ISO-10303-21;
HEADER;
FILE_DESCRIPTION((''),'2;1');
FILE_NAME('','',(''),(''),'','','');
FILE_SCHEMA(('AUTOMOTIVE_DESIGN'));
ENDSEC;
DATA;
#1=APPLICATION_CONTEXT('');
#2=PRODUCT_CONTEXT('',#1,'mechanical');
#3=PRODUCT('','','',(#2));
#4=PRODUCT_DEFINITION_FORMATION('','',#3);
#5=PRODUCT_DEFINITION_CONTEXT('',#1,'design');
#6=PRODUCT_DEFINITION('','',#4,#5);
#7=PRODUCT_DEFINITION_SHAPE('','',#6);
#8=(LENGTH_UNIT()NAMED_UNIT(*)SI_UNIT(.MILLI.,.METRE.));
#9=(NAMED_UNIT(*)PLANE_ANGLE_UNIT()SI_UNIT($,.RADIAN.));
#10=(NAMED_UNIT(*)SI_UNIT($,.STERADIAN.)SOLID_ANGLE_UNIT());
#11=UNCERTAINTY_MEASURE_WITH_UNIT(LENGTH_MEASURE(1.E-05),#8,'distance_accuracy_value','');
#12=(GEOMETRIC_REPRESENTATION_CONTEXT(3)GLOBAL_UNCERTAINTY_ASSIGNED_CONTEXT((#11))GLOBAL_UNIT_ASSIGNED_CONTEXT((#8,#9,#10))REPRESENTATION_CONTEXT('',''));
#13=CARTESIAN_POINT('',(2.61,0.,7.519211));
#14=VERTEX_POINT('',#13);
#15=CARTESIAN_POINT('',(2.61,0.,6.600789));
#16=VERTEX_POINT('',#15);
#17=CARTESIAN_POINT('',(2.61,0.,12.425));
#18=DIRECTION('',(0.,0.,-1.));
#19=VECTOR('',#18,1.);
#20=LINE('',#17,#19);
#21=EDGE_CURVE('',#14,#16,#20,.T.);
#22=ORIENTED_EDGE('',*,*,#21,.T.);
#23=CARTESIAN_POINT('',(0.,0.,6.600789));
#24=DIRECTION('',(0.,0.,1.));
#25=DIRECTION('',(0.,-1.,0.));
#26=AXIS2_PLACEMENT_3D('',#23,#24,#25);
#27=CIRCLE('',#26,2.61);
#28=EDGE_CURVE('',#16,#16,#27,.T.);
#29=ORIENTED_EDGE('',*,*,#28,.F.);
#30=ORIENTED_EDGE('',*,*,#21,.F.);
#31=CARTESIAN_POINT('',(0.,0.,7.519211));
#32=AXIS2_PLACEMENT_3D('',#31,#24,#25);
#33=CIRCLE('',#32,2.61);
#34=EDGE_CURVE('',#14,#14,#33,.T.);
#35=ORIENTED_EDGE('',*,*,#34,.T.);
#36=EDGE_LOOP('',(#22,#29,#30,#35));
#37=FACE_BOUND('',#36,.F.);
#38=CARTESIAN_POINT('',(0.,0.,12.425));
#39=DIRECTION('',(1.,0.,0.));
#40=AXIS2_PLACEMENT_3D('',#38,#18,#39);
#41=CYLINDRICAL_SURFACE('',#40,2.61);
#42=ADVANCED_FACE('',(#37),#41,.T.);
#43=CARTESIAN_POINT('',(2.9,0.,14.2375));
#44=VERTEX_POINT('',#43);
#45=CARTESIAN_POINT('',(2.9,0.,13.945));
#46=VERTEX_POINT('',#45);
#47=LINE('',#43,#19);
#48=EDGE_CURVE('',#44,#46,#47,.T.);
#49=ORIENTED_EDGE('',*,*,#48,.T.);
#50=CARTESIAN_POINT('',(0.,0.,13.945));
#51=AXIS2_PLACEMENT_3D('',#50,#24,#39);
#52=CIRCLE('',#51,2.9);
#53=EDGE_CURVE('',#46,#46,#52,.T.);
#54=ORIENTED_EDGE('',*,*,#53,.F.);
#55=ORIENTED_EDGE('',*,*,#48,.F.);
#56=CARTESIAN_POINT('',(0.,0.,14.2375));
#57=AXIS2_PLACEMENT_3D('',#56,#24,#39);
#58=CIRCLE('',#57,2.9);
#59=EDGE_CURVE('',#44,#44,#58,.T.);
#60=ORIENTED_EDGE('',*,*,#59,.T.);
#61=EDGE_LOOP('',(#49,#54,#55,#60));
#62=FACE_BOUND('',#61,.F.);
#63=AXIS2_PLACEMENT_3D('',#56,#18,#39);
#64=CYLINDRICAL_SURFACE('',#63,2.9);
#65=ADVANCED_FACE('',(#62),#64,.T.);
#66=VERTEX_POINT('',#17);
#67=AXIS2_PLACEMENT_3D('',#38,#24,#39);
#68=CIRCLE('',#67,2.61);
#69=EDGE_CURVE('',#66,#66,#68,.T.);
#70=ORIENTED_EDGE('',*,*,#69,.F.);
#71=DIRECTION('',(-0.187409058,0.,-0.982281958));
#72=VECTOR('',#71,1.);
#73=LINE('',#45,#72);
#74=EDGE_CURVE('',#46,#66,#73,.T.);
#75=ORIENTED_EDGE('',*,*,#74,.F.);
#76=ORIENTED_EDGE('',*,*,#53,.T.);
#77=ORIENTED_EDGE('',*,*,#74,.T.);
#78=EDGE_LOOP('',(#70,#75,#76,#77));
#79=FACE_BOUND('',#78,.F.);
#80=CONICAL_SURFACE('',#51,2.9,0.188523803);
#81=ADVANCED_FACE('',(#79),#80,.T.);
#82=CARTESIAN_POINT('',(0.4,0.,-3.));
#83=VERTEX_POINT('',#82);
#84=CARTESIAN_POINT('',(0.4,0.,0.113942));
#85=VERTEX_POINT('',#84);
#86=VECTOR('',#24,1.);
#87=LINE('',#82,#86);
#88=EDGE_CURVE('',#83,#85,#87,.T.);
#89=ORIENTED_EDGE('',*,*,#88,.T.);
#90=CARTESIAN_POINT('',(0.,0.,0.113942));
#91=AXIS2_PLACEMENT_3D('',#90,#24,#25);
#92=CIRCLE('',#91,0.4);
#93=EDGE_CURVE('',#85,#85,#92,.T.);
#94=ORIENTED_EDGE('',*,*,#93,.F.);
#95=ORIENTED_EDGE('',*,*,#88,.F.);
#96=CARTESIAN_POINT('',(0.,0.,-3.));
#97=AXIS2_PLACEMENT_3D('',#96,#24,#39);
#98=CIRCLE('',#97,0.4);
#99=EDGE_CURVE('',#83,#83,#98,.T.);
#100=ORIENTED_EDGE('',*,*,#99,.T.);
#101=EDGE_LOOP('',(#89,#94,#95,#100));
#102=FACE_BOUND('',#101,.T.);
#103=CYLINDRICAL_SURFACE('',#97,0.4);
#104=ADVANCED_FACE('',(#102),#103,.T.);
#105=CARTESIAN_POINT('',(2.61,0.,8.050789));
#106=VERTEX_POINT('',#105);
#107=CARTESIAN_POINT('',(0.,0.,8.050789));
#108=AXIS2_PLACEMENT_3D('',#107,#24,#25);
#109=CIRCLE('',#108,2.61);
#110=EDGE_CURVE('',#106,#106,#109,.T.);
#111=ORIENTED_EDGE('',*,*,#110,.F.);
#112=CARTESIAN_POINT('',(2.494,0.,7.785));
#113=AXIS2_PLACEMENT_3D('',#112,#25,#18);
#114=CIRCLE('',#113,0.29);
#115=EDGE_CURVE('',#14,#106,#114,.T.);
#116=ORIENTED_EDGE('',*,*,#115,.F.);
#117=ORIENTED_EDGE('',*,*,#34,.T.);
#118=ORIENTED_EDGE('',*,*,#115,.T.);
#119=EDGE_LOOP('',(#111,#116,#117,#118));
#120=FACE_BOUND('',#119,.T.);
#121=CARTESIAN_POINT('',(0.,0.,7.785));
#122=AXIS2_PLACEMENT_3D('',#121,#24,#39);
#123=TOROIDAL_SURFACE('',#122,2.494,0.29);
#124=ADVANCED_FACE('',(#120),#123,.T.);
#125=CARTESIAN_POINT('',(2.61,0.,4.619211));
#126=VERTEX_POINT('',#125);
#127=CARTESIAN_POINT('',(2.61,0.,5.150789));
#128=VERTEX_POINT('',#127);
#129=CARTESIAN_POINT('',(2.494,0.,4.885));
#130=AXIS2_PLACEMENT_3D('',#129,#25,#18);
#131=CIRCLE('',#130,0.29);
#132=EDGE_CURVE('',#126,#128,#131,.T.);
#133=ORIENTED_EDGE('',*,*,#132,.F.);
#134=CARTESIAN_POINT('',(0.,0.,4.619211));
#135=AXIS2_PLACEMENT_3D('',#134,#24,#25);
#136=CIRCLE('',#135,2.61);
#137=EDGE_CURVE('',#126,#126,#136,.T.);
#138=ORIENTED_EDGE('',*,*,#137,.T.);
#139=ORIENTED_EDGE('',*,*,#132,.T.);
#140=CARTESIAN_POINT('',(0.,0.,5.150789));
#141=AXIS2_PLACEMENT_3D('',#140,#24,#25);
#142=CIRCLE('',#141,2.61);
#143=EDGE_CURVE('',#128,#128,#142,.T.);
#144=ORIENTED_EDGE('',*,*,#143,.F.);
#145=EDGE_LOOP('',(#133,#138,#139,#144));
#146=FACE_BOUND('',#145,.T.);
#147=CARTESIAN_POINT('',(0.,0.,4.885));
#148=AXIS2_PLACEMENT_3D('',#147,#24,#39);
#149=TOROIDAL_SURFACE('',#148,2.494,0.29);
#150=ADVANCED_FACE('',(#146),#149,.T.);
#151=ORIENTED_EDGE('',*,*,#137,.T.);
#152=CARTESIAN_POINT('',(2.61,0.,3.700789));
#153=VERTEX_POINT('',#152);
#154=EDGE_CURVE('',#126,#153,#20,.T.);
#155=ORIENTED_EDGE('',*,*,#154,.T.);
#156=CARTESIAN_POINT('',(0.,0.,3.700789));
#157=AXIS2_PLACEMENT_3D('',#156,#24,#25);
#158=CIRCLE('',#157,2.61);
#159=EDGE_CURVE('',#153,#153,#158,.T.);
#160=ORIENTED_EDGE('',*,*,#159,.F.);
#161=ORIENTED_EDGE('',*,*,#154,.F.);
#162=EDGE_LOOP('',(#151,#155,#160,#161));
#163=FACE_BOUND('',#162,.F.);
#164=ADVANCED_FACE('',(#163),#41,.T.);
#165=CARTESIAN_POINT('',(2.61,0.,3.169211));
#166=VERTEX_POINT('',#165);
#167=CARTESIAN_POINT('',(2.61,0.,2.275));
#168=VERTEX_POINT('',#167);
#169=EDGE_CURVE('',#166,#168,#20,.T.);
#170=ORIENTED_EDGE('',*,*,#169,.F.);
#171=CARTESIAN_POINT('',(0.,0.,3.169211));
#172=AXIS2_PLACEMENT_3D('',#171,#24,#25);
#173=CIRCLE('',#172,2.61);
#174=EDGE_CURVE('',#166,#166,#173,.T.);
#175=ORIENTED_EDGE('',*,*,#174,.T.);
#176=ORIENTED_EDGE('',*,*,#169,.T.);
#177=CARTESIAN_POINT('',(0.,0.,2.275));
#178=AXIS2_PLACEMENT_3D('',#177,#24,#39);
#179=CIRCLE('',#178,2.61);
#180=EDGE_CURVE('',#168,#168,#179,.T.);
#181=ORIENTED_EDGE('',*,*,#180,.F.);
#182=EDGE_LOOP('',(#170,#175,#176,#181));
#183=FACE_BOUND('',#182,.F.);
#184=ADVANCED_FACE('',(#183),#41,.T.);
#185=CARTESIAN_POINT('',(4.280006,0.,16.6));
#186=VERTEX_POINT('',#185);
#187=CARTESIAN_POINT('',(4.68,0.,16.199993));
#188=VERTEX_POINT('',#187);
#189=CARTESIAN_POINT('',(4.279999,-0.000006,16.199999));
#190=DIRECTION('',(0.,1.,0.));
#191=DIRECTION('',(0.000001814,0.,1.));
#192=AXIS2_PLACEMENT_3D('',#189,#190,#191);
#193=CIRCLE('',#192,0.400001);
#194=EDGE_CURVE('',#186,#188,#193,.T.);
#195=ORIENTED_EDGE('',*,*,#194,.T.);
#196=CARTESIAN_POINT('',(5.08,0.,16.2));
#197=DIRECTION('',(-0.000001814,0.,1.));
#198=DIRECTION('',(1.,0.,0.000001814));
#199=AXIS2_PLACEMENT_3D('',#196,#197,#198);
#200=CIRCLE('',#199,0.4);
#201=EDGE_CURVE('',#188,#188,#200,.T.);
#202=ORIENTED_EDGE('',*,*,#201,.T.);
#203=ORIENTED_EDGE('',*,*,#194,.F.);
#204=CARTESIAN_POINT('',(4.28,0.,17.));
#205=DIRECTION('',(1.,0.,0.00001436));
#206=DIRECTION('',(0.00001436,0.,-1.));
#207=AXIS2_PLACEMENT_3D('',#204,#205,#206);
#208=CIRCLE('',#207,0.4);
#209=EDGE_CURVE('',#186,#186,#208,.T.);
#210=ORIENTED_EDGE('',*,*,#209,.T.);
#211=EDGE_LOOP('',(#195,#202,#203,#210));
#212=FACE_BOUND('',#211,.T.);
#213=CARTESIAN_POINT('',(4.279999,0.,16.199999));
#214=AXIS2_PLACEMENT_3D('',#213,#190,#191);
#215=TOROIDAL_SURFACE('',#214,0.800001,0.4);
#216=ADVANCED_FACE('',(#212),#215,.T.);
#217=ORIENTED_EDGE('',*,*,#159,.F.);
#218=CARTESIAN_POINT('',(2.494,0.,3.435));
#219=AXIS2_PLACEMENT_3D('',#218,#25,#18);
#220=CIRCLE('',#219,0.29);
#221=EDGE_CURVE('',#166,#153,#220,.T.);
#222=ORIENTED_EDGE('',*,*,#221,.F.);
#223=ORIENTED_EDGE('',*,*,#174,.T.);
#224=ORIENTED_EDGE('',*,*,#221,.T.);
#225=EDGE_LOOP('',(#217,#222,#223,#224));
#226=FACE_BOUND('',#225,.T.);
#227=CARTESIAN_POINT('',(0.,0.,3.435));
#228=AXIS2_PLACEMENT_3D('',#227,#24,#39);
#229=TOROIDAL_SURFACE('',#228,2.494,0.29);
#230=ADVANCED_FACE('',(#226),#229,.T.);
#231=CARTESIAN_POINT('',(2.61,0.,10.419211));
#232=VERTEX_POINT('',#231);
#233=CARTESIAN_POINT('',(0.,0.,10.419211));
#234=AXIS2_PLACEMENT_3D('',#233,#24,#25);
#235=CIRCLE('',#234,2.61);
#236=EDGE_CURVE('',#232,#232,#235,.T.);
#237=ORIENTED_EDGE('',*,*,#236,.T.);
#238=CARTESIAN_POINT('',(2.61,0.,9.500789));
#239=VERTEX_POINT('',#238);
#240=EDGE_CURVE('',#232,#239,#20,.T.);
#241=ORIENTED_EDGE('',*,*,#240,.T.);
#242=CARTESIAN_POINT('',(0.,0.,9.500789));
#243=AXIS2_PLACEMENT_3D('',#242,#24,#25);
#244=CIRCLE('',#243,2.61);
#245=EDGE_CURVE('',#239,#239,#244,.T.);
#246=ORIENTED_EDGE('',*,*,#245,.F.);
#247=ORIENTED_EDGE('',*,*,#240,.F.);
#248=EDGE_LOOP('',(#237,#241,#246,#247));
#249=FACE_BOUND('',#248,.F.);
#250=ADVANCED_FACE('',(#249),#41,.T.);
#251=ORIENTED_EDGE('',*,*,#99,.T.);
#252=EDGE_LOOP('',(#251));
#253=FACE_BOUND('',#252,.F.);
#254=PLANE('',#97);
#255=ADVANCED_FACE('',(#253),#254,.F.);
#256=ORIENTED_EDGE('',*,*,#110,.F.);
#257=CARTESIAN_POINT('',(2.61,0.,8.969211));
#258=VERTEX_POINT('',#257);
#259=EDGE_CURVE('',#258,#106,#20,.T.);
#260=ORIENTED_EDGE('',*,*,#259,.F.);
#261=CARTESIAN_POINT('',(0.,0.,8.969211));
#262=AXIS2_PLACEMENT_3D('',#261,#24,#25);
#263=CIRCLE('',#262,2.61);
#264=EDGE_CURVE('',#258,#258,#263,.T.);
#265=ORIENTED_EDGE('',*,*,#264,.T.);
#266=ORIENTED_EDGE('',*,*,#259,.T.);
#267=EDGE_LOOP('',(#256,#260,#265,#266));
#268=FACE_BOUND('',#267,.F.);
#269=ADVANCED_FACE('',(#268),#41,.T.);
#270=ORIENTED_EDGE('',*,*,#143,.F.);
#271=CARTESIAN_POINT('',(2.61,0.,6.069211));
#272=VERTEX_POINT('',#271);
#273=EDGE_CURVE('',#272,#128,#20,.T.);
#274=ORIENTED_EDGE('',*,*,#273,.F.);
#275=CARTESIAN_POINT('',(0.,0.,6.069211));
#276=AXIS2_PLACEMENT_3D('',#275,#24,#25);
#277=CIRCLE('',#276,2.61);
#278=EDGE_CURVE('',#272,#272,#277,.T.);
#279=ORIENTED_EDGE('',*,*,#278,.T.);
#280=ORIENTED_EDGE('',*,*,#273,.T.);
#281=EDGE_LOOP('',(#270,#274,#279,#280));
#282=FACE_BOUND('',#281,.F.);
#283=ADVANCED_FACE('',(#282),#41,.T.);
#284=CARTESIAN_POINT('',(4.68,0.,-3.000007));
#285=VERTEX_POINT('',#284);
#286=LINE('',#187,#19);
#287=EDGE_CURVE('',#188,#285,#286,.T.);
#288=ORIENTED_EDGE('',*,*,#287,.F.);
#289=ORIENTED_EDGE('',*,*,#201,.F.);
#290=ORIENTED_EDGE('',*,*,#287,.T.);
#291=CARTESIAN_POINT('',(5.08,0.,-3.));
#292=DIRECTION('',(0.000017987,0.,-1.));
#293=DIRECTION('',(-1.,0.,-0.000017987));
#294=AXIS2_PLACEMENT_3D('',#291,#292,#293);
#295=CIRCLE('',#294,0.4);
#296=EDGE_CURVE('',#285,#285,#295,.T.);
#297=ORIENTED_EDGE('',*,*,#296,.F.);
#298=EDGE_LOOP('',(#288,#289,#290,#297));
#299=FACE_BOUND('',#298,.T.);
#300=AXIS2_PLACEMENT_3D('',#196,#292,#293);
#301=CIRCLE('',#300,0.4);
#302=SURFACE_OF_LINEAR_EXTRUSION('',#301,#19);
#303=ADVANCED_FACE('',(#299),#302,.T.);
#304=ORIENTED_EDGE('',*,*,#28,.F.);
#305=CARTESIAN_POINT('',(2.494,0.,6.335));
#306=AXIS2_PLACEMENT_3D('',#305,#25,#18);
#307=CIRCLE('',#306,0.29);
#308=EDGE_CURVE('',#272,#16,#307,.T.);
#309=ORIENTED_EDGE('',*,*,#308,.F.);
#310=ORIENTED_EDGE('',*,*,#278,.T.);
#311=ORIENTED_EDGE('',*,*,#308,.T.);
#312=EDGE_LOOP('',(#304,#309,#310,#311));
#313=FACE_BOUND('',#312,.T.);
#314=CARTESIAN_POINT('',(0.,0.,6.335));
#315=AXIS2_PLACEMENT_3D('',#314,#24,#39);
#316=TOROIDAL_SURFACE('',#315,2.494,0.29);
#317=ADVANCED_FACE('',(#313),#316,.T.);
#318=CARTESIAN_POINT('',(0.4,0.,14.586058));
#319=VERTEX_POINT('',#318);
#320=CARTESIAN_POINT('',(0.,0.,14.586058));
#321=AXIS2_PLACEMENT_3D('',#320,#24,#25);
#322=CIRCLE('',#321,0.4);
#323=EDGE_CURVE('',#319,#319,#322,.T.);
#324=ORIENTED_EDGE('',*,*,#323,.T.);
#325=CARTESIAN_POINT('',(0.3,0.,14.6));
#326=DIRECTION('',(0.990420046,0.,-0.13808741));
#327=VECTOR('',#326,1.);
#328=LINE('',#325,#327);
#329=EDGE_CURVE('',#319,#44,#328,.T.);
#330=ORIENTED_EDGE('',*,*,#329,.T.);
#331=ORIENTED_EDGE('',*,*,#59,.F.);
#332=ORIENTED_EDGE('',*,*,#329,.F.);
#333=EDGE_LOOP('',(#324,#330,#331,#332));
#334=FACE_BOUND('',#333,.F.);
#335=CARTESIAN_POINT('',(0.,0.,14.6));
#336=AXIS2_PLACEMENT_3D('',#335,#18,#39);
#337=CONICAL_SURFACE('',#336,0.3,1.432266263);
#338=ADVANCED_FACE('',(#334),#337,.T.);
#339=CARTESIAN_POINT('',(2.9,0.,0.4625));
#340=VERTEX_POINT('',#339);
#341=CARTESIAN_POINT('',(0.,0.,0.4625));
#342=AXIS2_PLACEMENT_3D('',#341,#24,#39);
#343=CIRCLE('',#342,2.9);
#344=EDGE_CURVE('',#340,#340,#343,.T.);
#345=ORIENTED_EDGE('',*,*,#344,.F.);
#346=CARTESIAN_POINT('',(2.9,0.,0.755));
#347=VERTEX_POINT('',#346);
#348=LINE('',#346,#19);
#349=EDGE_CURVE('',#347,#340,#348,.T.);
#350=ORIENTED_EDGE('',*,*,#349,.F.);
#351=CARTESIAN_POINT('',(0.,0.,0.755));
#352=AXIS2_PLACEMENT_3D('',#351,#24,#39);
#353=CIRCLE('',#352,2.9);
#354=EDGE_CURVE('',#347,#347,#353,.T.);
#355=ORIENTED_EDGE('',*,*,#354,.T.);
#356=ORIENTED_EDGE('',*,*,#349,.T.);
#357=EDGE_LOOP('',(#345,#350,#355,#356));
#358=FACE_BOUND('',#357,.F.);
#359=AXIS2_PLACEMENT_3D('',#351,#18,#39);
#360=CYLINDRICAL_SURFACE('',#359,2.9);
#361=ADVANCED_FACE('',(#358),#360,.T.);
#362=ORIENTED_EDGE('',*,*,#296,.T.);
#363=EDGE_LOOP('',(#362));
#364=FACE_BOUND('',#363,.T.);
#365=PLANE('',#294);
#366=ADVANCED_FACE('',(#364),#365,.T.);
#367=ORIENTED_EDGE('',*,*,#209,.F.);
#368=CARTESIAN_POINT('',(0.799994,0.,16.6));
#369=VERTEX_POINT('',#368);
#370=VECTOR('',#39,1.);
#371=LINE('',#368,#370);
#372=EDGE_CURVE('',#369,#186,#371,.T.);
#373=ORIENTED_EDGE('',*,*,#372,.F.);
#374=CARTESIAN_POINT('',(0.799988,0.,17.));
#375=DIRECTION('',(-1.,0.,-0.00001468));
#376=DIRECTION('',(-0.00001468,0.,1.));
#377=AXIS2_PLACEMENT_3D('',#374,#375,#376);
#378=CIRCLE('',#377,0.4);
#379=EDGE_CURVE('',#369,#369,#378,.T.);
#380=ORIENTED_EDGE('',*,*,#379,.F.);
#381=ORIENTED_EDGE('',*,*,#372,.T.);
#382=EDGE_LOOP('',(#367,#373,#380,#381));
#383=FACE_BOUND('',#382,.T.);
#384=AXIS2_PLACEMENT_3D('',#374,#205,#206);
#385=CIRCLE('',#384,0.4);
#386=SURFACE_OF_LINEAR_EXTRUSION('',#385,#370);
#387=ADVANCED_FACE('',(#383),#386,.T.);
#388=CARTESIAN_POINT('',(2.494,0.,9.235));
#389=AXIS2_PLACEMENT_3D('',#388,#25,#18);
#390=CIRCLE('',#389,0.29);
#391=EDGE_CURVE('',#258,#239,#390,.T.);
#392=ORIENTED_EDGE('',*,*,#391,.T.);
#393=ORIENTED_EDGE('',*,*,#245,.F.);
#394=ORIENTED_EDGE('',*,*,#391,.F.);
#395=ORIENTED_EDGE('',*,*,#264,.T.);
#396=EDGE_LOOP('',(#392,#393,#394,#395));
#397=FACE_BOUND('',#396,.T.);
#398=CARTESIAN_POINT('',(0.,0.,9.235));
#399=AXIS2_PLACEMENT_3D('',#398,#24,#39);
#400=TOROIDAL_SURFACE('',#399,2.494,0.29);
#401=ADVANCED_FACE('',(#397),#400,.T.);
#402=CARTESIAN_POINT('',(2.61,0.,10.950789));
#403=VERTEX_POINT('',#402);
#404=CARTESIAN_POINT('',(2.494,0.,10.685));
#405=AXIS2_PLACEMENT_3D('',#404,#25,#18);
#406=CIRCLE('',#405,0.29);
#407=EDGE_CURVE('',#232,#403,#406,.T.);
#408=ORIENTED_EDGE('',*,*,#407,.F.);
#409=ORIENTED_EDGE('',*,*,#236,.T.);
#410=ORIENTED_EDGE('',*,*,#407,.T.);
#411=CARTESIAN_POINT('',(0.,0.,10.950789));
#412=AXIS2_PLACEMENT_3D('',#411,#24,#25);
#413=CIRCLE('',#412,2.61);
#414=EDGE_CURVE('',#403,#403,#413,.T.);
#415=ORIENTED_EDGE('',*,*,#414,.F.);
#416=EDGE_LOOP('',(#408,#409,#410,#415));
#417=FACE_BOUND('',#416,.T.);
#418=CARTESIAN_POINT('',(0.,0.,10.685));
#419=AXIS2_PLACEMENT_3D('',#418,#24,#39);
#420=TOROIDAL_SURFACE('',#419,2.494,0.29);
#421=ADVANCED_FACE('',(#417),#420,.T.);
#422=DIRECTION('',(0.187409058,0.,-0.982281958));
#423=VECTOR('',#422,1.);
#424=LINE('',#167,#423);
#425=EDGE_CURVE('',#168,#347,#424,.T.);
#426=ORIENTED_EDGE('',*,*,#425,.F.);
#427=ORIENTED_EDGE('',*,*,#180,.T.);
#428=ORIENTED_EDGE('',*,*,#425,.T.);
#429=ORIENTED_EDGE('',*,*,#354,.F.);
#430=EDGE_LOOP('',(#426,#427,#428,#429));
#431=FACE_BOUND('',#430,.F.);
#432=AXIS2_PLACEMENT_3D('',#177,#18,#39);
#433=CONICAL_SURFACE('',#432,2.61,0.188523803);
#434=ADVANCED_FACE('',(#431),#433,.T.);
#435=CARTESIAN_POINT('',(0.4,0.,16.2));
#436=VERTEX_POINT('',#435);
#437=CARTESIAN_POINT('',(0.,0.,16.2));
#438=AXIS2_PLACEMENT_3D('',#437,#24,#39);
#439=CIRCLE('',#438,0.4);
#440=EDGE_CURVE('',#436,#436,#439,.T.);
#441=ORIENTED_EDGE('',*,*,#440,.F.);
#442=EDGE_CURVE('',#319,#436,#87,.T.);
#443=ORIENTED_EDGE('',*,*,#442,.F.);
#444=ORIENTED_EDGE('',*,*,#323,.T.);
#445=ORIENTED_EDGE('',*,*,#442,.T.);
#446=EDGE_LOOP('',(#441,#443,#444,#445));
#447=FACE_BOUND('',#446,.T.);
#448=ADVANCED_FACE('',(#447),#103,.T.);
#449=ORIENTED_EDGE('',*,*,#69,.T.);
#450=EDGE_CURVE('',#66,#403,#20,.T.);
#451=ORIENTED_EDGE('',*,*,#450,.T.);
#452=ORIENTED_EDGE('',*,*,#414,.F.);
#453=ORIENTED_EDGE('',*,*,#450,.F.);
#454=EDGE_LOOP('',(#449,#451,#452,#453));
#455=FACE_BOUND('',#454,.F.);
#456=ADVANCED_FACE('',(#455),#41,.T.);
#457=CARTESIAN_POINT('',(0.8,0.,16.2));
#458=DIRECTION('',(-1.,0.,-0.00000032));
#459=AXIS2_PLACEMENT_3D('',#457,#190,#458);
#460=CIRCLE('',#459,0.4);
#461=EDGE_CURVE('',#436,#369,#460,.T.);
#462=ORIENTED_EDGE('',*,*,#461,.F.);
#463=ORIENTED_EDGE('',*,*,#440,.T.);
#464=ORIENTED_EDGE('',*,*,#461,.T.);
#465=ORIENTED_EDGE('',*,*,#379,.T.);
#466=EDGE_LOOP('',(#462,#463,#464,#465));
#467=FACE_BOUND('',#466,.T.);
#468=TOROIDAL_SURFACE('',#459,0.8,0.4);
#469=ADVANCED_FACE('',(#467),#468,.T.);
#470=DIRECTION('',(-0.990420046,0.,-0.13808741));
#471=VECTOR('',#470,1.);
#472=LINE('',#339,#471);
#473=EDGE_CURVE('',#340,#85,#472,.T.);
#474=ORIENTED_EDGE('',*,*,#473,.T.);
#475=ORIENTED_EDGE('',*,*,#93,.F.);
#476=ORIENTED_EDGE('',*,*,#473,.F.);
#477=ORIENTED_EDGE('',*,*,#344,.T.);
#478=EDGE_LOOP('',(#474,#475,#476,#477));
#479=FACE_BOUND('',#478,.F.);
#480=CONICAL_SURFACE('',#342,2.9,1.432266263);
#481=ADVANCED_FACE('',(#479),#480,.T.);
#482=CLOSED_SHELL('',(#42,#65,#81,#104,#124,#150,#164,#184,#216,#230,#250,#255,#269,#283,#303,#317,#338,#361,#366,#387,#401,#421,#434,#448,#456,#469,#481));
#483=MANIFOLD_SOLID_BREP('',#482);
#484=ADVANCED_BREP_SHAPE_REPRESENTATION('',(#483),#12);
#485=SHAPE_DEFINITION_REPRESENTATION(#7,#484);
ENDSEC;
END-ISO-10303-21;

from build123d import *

# Parameters (mm, degrees)
SKETCH_R = 0.4


with BuildPart() as revolution:
    # Sketch002 → Revolution (revolve)
    with BuildSketch(Plane.XZ):
        Polygon((0, 0.1), (0, 14.6), (0.3, 14.6), (2.9, 14.2375), (2.9, 13.945), (2.61, 12.425), (2.61, 2.275), (2.9, 0.755), (2.9, 0.4625), (0.3, 0.1), align=None)
    revolve(axis=Axis((0, 0, 0), (0, 0, 1)))


with BuildPart() as sweep_body:
    # Sweep: sweep along a path in Sketch001
    with BuildLine(Plane.XZ) as sweep_path:
        Line((0, -3), (0, 16.2))
        ThreePointArc((0, 16.2), (0.23431, 16.765681), (0.799988, 17))
        Line((0.799988, 17), (4.28, 17))
        ThreePointArc((4.28, 17), (4.845685, 16.765685), (5.08, 16.2))
        Line((5.08, 16.2), (5.08, -3))
    # Sketch → Sweep (sweep)
    with BuildSketch(Plane.XY.offset(-2)):
        Circle(SKETCH_R)
    sweep(path=sweep_path.line)


with BuildPart() as revolution001_mp_cp:
    # Sketch003 → Revolution001 (revolve)
    with BuildSketch(Plane.XZ):
        with BuildLine():
            Line((2.32, 11.845), (2.32, 2.275))
            Line((2.32, 2.275), (2.494, 2.275))
            Line((2.494, 2.275), (2.494, 3.145))
            ThreePointArc((2.494, 3.145), (2.784, 3.435), (2.494, 3.725))
            Line((2.494, 3.725), (2.494, 4.595))
            ThreePointArc((2.494, 4.595), (2.784, 4.885), (2.494, 5.175))
            Line((2.494, 5.175), (2.494, 6.045))
            ThreePointArc((2.494, 6.045), (2.784, 6.335), (2.494, 6.625))
            Line((2.494, 6.625), (2.494, 7.495))
            ThreePointArc((2.494, 7.495), (2.784, 7.785), (2.494, 8.075))
            Line((2.494, 8.075), (2.494, 8.945))
            ThreePointArc((2.494, 8.945), (2.784, 9.235), (2.494, 9.525))
            Line((2.494, 9.525), (2.494, 10.395))
            ThreePointArc((2.494, 10.395), (2.784, 10.685), (2.494, 10.975))
            Line((2.494, 11.845), (2.494, 10.975))
            Line((2.32, 11.845), (2.494, 11.845))
        make_face()
    revolve(axis=Axis((0, 0, 0), (0, 0, 1)))

    # Revolution001_mp_cp: union Revolution, Sweep body
    add(revolution.part)
    add(sweep_body.part)


solid = revolution001_mp_cp.part
